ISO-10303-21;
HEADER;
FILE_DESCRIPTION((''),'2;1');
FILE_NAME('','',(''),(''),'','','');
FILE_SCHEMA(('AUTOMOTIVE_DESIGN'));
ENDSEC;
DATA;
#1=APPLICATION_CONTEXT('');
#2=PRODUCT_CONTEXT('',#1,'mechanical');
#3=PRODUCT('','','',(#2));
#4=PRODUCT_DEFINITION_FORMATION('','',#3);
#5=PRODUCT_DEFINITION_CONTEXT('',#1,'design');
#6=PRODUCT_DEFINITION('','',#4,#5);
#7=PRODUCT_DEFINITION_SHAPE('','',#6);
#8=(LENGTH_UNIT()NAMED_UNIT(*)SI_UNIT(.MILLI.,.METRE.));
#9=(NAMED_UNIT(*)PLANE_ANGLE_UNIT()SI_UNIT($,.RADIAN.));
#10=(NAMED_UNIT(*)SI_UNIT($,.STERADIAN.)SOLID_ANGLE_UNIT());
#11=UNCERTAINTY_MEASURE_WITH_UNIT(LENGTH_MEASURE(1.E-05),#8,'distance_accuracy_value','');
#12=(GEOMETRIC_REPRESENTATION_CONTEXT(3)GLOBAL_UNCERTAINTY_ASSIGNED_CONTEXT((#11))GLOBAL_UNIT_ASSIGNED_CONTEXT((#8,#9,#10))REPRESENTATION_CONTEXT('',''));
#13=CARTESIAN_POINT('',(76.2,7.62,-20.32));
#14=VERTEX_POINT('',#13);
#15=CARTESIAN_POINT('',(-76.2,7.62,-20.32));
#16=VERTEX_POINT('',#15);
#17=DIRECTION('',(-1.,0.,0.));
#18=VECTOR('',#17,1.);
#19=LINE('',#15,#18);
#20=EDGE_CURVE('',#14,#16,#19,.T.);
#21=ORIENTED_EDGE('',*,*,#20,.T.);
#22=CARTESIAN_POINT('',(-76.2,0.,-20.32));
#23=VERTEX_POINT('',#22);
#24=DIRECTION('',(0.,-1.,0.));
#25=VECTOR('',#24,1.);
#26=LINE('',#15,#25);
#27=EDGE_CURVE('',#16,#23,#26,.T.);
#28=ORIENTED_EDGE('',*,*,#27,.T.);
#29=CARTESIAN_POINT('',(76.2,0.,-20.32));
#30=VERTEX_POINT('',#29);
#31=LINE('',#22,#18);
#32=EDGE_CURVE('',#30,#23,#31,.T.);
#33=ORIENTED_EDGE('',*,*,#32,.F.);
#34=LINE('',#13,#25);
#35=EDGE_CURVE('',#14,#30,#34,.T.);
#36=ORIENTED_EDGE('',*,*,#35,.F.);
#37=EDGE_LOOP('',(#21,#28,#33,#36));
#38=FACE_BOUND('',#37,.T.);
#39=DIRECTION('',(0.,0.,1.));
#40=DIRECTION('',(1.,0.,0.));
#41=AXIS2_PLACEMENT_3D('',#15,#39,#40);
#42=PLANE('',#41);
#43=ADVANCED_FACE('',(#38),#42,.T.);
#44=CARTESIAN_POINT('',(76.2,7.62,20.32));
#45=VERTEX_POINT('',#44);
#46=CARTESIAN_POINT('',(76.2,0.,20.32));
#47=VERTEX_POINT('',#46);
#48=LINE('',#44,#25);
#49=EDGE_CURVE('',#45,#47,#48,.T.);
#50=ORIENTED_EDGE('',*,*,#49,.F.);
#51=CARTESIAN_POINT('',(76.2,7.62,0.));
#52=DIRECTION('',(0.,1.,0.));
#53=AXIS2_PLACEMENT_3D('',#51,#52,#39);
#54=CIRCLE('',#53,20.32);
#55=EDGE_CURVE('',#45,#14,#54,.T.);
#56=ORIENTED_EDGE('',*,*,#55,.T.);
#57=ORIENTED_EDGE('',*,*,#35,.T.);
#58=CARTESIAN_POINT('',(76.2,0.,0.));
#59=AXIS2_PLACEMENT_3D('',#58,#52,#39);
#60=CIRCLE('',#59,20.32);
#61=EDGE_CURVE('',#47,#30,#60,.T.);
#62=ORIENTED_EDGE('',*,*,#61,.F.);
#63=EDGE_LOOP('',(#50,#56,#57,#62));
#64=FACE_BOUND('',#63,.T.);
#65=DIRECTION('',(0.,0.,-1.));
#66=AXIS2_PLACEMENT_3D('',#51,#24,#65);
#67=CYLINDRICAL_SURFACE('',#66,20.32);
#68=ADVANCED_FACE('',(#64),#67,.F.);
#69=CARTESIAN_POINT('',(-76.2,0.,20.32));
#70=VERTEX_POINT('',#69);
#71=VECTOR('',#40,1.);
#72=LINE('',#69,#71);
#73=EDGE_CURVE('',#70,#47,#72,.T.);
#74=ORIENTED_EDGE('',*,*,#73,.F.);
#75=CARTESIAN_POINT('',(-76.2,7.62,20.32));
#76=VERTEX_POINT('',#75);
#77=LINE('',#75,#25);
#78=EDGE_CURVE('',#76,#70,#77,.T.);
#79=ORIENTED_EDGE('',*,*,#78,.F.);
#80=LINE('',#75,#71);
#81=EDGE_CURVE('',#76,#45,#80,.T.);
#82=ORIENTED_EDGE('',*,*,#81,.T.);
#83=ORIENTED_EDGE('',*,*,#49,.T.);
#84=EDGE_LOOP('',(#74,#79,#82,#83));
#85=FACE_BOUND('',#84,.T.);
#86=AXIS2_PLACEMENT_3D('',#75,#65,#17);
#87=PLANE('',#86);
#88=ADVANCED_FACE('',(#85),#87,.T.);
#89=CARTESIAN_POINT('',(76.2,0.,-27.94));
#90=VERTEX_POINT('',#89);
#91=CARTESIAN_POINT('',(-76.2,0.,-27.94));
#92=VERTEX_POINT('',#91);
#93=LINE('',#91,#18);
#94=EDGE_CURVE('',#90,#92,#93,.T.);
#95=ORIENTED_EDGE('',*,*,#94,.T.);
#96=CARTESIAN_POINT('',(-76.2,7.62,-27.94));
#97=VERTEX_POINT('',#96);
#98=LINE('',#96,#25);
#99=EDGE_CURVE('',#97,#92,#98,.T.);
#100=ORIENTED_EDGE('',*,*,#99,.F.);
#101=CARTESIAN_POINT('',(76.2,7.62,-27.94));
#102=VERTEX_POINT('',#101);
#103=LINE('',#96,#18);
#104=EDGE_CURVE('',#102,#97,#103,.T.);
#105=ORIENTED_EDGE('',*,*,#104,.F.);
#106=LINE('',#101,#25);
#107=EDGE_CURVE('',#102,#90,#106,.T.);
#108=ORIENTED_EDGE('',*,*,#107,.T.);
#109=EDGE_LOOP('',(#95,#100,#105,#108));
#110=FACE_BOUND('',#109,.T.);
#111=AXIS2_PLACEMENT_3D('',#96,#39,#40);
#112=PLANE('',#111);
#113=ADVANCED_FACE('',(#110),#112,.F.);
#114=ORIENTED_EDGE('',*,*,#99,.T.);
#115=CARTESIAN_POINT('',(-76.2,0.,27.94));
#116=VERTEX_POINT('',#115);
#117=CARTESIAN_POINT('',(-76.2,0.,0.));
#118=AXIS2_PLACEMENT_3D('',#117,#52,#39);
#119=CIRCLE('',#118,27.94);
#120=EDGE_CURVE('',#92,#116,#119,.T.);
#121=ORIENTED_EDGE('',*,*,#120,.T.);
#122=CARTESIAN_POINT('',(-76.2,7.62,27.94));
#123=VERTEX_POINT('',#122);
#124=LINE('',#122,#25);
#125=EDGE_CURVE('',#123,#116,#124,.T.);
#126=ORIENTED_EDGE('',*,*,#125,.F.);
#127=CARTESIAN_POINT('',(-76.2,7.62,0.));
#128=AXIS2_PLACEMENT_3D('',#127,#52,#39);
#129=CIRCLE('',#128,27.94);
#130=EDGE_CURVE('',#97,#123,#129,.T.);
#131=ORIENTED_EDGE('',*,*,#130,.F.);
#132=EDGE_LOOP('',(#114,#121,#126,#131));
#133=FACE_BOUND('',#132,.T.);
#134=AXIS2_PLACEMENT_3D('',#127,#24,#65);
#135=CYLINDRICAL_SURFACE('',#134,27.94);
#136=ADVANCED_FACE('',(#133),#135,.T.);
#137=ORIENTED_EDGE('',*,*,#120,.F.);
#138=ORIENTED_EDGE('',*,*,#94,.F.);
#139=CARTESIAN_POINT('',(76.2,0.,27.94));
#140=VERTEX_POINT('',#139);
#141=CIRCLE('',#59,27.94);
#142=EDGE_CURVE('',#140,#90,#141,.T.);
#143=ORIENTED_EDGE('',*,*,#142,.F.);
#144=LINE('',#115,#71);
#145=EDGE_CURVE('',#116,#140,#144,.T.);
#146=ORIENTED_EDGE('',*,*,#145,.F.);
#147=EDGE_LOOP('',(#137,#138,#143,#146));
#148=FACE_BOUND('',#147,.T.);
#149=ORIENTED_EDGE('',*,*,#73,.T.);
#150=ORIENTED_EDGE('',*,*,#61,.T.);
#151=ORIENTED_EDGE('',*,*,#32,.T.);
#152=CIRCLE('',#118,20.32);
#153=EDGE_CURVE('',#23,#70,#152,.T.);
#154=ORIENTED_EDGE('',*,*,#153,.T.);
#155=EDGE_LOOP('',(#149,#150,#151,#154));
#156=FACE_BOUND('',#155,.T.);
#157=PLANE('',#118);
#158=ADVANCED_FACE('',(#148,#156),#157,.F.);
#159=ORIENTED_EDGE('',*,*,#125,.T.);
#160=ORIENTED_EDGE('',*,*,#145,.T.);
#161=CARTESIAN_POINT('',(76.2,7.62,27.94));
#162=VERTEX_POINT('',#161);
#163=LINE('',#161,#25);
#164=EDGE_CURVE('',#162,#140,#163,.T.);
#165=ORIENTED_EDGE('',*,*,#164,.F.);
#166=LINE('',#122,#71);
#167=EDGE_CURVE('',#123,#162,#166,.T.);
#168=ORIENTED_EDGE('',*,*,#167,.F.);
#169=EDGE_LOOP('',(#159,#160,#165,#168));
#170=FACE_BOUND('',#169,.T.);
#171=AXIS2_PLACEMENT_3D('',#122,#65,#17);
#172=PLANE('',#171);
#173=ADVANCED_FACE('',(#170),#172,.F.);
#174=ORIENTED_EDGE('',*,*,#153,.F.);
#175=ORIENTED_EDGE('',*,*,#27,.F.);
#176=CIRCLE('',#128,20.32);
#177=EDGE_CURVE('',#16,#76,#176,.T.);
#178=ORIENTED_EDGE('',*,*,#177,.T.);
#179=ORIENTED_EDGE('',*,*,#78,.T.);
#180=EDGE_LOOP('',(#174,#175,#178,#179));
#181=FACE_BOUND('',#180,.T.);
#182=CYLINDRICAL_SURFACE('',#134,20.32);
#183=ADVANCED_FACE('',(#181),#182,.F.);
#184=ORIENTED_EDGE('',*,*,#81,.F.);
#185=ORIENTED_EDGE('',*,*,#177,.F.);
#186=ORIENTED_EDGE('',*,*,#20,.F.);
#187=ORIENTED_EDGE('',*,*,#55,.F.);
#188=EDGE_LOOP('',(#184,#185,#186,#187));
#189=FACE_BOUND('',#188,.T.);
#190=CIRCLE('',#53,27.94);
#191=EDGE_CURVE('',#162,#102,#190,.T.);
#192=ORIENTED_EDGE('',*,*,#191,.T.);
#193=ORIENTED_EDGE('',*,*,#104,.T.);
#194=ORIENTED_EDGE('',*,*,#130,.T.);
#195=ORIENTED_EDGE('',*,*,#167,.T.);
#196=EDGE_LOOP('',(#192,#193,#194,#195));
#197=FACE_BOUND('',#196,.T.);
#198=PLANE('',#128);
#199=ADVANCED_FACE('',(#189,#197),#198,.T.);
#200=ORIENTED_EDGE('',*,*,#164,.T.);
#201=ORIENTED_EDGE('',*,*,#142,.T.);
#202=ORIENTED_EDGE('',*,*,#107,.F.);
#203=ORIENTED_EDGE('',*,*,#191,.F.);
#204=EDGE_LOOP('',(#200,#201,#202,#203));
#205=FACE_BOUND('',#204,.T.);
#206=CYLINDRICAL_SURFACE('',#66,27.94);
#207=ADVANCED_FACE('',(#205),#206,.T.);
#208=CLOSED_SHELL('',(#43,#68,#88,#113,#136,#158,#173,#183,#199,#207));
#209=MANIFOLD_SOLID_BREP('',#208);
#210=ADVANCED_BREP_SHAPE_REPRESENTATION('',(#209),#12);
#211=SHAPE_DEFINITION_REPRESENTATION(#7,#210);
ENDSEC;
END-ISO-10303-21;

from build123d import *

# Parameters (mm, degrees)
BOSS_EXTRUDE1_DEPTH = 7.62


with BuildPart() as part:
    # Sketch1 → Boss-Extrude1 (new body)
    with BuildSketch(Plane(origin=(0, 0, 0), x_dir=(1, 0, 0), z_dir=(0, 1, 0))):
        with BuildLine():
            Line((-76.2, 27.94), (76.2, 27.94))
            ThreePointArc((76.2, 27.94), (104.14, 0), (76.2, -27.94))
            Line((76.2, -27.94), (-76.2, -27.94))
            ThreePointArc((-76.2, -27.94), (-104.14, 0), (-76.2, 27.94))
        make_face()
        with BuildLine():
            Line((-76.2, 20.32), (76.2, 20.32))
            ThreePointArc((76.2, 20.32), (96.52, 0), (76.2, -20.32))
            Line((76.2, -20.32), (-76.2, -20.32))
            ThreePointArc((-76.2, -20.32), (-96.52, 0), (-76.2, 20.32))
        make_face(mode=Mode.SUBTRACT)
    extrude(amount=BOSS_EXTRUDE1_DEPTH)


solid = part.part
